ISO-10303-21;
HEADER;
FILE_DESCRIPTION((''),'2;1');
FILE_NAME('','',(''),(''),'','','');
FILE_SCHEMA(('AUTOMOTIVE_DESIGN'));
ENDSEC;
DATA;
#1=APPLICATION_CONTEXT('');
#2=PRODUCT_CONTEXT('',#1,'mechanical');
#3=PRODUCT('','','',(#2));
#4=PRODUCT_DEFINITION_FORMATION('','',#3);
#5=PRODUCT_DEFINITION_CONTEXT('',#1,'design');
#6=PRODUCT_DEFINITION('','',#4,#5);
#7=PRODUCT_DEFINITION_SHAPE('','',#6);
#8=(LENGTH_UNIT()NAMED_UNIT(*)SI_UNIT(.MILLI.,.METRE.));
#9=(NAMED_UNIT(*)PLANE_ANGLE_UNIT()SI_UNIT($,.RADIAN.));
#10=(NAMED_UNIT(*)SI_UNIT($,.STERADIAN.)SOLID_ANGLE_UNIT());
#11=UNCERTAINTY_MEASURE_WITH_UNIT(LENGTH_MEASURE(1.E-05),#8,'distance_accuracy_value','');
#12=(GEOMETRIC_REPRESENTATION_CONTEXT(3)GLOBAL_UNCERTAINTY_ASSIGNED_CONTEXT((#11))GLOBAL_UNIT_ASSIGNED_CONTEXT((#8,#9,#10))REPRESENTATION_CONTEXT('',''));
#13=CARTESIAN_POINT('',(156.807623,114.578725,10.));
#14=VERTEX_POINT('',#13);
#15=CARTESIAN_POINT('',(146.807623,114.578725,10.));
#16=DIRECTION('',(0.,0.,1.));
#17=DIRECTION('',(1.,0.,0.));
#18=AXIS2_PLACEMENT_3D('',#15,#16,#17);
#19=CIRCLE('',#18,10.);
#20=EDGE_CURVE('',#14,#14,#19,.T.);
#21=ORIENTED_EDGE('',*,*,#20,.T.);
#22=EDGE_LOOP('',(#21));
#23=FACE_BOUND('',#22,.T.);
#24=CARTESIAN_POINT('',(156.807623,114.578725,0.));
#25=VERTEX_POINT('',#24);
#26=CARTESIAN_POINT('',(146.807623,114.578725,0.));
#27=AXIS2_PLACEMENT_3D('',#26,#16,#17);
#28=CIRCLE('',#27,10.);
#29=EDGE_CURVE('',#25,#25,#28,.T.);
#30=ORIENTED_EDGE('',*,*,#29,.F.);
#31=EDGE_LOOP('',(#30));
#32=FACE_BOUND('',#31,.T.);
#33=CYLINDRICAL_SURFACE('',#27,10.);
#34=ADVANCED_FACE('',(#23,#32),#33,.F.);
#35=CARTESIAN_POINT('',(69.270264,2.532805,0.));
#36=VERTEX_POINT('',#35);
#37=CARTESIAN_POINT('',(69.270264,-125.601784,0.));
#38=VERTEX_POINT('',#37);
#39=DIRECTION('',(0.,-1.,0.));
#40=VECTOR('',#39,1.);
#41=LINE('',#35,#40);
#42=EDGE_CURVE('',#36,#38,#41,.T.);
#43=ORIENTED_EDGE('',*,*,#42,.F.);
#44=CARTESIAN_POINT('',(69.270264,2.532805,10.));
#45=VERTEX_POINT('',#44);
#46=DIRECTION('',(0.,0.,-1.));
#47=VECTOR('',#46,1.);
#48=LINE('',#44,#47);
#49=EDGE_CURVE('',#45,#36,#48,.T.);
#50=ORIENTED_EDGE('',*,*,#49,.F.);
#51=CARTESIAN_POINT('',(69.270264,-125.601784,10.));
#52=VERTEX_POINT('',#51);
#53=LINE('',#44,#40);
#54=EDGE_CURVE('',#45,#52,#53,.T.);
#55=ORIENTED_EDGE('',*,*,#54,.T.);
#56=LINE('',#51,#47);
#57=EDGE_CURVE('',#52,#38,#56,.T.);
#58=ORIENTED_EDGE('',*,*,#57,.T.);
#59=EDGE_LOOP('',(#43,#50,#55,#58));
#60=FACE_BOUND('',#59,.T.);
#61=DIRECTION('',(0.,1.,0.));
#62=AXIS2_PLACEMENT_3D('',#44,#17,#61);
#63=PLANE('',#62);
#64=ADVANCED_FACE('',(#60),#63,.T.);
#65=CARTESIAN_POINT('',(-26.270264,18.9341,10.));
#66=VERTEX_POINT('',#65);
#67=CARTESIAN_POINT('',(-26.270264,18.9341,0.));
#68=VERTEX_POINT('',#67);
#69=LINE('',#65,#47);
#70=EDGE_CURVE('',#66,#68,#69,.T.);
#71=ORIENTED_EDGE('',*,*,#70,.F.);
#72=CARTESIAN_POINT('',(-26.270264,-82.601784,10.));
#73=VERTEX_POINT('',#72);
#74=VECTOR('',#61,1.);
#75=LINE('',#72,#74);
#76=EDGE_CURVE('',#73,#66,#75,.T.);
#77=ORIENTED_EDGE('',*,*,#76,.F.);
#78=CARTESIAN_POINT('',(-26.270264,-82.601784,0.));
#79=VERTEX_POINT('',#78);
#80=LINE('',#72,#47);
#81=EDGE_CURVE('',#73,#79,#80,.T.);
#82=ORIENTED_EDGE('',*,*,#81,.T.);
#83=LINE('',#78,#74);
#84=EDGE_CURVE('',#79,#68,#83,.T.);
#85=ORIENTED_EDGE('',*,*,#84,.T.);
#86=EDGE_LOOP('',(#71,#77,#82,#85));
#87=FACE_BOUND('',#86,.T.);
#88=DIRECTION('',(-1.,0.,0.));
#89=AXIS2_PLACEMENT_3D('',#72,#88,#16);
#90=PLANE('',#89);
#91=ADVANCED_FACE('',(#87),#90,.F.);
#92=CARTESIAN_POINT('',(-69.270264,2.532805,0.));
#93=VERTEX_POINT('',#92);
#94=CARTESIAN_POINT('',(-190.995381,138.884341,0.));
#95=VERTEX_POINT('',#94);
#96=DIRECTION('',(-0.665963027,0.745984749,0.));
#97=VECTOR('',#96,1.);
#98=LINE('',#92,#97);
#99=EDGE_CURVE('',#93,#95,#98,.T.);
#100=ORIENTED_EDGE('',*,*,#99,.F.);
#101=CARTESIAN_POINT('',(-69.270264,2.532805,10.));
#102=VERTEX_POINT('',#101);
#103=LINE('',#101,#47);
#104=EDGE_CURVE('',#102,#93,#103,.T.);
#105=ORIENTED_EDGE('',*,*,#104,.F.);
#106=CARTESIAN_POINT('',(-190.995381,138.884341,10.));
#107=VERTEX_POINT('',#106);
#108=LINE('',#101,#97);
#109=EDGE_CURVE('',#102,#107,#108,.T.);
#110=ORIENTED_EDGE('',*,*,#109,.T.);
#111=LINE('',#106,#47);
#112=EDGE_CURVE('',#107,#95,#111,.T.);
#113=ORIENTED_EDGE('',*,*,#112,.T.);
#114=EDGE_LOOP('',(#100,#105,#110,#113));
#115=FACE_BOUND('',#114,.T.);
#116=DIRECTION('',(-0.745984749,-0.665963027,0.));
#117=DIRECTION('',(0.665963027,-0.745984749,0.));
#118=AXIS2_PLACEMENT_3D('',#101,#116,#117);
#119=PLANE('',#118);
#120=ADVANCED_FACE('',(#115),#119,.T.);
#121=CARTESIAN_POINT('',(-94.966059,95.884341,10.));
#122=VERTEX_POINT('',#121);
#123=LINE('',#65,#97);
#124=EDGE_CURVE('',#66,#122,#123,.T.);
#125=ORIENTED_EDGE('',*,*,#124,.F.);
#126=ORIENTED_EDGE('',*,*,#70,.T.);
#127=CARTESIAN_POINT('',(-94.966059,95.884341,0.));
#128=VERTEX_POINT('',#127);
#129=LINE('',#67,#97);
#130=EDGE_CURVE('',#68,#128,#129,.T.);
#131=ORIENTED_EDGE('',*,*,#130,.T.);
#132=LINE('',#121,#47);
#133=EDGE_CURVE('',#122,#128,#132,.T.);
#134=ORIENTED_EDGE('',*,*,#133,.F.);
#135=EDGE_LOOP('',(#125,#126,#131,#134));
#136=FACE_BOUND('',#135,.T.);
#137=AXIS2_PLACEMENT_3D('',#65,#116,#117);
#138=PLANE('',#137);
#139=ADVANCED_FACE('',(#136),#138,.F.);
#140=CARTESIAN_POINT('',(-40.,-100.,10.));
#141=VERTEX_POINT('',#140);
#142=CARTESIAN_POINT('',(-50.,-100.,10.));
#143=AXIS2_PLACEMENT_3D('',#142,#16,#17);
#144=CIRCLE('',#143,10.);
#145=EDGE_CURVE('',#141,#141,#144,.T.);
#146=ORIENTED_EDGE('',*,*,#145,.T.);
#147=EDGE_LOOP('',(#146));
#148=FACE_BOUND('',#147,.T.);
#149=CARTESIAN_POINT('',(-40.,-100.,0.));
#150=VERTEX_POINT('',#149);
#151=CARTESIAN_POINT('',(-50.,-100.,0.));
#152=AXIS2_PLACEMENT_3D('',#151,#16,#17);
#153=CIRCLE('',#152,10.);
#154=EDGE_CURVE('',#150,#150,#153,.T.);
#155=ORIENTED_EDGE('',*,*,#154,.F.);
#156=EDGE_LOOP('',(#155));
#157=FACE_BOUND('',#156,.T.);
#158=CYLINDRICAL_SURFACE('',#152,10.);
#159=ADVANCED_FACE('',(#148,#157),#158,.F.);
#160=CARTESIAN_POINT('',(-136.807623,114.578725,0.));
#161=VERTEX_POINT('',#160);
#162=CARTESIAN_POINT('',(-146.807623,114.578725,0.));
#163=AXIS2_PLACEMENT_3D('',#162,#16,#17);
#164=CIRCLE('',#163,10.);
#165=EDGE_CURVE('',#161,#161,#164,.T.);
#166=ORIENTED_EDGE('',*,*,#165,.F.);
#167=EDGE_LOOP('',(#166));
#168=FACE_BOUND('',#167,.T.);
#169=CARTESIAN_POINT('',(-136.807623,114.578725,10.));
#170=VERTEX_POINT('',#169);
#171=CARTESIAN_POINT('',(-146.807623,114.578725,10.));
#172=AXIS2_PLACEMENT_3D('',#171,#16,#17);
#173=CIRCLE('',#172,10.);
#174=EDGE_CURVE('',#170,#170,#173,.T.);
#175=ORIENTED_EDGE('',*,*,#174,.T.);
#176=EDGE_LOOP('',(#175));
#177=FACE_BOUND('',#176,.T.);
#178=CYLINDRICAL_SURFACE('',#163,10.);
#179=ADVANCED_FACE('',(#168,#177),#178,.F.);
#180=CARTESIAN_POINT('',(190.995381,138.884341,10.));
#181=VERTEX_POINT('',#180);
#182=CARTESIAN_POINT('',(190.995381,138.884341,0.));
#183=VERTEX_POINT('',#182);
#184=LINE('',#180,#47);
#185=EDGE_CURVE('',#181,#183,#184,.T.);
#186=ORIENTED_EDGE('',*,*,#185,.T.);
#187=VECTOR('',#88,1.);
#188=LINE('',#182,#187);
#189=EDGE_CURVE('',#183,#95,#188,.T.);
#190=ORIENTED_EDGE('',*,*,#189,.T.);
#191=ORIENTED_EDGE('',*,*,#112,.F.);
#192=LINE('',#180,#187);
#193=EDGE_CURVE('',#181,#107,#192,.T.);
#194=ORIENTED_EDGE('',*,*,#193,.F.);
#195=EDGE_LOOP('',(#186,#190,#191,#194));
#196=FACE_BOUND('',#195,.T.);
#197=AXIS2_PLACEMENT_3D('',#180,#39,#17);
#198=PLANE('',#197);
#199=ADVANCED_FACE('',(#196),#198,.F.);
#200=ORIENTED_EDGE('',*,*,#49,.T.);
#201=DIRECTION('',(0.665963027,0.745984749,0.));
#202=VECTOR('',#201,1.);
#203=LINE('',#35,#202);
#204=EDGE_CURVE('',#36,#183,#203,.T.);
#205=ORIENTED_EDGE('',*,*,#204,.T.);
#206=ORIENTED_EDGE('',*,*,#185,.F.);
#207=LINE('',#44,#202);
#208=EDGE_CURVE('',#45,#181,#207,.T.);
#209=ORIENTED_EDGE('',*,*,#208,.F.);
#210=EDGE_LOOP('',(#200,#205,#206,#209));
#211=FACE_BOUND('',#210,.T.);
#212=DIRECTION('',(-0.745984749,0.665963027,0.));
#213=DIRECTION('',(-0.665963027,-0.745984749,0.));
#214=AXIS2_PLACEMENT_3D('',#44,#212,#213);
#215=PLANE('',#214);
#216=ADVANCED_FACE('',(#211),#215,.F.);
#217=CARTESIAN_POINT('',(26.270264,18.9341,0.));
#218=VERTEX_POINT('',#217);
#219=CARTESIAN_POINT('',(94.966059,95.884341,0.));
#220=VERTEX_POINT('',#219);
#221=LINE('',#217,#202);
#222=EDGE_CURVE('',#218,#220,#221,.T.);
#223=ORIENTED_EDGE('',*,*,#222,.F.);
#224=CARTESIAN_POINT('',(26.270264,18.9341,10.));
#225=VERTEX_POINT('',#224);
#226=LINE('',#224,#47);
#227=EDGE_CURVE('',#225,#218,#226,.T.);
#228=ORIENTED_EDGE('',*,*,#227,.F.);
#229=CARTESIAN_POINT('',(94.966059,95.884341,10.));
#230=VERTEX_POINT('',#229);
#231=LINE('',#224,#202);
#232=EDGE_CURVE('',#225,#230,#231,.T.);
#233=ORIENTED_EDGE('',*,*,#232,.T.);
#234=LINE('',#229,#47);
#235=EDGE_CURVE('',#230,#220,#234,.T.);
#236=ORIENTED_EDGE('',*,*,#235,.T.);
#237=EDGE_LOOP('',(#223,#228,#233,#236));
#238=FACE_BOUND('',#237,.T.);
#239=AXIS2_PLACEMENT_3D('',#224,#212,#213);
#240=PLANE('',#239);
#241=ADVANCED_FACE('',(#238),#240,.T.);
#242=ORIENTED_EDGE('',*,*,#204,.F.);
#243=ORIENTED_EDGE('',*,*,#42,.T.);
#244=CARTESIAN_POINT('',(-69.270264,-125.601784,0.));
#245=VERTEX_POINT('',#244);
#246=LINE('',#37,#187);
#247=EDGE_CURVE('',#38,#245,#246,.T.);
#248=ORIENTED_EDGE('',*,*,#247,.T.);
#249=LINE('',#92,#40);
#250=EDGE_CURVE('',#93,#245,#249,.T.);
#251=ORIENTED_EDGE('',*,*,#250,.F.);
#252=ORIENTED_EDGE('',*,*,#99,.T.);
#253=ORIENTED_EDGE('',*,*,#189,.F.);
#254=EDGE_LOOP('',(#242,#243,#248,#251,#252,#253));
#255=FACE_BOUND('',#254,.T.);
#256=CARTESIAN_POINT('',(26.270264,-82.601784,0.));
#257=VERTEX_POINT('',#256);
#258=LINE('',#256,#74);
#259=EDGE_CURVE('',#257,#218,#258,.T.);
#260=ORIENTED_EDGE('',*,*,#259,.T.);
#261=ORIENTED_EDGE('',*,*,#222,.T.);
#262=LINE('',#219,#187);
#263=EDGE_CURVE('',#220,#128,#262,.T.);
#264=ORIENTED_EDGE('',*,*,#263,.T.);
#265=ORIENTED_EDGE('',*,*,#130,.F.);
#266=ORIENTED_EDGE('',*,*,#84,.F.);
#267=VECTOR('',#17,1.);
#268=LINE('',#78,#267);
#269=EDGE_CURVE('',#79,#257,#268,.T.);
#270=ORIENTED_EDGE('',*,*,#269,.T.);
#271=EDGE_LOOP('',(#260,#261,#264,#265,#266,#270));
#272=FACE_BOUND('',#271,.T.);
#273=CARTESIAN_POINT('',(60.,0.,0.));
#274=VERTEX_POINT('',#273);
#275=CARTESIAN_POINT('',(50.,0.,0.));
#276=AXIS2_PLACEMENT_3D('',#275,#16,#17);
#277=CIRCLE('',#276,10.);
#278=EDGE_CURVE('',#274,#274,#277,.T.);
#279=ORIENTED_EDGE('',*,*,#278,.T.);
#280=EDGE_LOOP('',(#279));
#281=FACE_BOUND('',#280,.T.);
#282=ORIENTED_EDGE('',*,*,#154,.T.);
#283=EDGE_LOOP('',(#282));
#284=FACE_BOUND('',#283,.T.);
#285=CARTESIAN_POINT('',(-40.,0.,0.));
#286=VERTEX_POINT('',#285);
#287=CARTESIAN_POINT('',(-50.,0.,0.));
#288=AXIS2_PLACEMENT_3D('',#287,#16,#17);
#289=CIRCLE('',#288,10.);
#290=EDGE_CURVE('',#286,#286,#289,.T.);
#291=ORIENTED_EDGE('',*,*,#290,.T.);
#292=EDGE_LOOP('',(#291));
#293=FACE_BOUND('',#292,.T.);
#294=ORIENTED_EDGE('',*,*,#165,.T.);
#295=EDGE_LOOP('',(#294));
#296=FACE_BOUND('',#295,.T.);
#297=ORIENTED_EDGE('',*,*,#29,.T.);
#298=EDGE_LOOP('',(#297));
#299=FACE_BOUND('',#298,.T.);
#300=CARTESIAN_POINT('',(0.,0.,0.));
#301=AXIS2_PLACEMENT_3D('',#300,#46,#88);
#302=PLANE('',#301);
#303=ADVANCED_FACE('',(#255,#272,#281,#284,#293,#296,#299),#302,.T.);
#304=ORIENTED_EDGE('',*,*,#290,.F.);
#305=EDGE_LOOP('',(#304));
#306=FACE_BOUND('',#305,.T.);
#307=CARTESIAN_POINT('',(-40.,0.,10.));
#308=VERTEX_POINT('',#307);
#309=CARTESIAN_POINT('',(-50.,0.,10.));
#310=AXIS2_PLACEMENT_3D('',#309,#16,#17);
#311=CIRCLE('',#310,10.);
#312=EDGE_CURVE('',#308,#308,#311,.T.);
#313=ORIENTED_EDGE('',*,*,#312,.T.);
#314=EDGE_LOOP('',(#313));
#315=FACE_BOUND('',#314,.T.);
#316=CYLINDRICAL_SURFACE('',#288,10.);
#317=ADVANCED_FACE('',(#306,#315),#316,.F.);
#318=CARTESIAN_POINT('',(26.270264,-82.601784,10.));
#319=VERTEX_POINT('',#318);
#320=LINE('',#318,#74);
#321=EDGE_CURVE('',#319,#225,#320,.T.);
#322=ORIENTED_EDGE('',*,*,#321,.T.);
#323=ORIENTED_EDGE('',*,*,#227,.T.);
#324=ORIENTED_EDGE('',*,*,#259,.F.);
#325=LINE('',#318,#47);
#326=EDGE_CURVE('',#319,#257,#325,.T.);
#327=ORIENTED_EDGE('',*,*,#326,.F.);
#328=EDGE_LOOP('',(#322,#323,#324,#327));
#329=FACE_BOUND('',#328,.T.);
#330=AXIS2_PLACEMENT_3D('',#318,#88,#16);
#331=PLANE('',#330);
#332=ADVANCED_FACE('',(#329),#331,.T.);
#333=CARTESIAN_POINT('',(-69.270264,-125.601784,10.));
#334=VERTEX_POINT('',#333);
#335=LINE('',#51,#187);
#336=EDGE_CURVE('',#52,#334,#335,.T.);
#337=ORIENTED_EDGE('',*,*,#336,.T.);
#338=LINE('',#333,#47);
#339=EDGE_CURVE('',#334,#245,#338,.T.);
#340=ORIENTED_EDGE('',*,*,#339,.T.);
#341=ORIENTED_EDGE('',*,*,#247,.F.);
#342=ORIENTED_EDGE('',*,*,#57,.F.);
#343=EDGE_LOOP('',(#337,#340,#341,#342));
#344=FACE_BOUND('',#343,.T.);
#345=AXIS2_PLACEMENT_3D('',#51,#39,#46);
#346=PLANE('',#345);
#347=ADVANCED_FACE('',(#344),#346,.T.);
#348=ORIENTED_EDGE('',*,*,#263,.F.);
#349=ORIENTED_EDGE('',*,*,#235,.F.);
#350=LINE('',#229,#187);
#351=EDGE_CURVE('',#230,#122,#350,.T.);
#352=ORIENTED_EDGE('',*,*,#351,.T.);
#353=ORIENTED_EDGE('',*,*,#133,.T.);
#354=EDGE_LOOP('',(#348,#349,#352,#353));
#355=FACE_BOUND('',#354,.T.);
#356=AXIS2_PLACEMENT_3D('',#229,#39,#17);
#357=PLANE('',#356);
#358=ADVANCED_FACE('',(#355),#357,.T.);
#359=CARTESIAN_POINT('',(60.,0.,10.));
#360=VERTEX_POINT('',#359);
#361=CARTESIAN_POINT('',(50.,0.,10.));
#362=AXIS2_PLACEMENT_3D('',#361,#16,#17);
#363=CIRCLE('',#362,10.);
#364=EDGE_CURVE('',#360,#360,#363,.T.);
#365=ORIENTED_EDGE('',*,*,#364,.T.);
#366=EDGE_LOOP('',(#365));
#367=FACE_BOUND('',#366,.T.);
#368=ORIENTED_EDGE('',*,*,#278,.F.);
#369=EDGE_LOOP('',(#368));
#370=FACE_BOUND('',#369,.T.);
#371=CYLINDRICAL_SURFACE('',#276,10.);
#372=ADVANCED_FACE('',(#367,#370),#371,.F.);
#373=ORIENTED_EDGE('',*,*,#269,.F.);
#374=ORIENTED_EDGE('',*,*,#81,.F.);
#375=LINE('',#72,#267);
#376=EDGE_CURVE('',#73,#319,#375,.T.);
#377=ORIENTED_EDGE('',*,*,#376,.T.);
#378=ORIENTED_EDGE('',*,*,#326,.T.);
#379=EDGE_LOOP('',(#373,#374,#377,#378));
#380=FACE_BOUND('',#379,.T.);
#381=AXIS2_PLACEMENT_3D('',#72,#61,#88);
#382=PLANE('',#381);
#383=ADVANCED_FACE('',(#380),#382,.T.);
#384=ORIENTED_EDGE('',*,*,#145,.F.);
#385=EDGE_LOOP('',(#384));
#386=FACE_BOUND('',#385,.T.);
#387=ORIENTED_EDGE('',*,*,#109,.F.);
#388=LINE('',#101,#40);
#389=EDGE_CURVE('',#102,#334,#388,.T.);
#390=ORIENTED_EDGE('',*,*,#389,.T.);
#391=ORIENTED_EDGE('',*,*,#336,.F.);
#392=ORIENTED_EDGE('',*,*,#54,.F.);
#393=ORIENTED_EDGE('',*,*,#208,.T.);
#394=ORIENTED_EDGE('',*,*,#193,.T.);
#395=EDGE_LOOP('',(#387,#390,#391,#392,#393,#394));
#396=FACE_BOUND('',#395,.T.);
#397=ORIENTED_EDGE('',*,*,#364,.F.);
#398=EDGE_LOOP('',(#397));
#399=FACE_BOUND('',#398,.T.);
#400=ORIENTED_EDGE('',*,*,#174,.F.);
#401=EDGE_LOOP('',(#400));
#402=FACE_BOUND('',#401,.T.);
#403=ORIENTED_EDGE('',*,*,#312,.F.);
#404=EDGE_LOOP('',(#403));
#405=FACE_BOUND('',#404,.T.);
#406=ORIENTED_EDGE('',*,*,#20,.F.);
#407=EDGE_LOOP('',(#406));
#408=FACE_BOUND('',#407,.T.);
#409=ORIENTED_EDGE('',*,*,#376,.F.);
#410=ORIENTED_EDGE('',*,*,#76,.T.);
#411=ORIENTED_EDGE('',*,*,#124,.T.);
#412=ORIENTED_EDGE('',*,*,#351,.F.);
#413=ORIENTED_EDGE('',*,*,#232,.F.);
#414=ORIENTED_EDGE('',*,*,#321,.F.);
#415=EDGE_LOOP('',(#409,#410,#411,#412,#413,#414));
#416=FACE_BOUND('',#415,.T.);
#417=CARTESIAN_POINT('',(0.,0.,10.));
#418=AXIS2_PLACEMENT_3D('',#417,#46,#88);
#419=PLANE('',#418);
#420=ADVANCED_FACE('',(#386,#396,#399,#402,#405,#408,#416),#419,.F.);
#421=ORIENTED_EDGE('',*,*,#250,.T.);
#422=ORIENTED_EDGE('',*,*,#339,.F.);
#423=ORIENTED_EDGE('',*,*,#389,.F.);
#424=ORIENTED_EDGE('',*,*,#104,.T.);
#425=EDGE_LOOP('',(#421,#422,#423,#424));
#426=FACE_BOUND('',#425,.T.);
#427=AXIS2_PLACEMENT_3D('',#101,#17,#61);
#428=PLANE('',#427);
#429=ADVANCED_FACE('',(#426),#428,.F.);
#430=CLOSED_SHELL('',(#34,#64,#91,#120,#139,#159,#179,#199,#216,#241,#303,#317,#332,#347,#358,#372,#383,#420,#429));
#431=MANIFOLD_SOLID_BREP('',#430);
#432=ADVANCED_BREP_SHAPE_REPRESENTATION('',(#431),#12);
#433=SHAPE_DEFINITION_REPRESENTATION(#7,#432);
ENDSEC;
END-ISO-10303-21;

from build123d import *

# Parameters (mm, degrees)
EXTRUDE_2_DEPTH     = 10
SKETCH_6_R          = 10
CUT_EXTRUDE_2_DEPTH = 10


with BuildPart() as part:
    # Эскиз5 → Бобышка-Вытянуть2 (new body)
    with BuildSketch(Plane.XY):
        Polygon((69.270264014, 2.532805315), (69.270264014, -125.60178411), (-69.270264014, -125.60178411), (-69.270264014, 2.532805315), (-190.995381487, 138.884340659), (190.995381487, 138.884340659), align=None)
        Polygon((-26.270264014, -82.60178411), (26.270264014, -82.60178411), (26.270264014, 18.934099876), (94.96605886, 95.884340659), (-94.96605886, 95.884340659), (-26.270264014, 18.934099876), align=None, mode=Mode.SUBTRACT)
    extrude(amount=EXTRUDE_2_DEPTH)

    # Эскиз6 → Вырез-Вытянуть2 (cut)
    with BuildSketch(Plane.XY.offset(10)):
        with Locations((-146.807623039, 114.578724559)):
            Circle(SKETCH_6_R)
        with Locations((146.807623039, 114.578724559)):
            Circle(SKETCH_6_R)
        with Locations((-50, 0)):
            Circle(SKETCH_6_R)
        with Locations((-50, -100)):
            Circle(SKETCH_6_R)
        with Locations((50, 0)):
            Circle(SKETCH_6_R)
    extrude(amount=-CUT_EXTRUDE_2_DEPTH, mode=Mode.SUBTRACT)


solid = part.part
